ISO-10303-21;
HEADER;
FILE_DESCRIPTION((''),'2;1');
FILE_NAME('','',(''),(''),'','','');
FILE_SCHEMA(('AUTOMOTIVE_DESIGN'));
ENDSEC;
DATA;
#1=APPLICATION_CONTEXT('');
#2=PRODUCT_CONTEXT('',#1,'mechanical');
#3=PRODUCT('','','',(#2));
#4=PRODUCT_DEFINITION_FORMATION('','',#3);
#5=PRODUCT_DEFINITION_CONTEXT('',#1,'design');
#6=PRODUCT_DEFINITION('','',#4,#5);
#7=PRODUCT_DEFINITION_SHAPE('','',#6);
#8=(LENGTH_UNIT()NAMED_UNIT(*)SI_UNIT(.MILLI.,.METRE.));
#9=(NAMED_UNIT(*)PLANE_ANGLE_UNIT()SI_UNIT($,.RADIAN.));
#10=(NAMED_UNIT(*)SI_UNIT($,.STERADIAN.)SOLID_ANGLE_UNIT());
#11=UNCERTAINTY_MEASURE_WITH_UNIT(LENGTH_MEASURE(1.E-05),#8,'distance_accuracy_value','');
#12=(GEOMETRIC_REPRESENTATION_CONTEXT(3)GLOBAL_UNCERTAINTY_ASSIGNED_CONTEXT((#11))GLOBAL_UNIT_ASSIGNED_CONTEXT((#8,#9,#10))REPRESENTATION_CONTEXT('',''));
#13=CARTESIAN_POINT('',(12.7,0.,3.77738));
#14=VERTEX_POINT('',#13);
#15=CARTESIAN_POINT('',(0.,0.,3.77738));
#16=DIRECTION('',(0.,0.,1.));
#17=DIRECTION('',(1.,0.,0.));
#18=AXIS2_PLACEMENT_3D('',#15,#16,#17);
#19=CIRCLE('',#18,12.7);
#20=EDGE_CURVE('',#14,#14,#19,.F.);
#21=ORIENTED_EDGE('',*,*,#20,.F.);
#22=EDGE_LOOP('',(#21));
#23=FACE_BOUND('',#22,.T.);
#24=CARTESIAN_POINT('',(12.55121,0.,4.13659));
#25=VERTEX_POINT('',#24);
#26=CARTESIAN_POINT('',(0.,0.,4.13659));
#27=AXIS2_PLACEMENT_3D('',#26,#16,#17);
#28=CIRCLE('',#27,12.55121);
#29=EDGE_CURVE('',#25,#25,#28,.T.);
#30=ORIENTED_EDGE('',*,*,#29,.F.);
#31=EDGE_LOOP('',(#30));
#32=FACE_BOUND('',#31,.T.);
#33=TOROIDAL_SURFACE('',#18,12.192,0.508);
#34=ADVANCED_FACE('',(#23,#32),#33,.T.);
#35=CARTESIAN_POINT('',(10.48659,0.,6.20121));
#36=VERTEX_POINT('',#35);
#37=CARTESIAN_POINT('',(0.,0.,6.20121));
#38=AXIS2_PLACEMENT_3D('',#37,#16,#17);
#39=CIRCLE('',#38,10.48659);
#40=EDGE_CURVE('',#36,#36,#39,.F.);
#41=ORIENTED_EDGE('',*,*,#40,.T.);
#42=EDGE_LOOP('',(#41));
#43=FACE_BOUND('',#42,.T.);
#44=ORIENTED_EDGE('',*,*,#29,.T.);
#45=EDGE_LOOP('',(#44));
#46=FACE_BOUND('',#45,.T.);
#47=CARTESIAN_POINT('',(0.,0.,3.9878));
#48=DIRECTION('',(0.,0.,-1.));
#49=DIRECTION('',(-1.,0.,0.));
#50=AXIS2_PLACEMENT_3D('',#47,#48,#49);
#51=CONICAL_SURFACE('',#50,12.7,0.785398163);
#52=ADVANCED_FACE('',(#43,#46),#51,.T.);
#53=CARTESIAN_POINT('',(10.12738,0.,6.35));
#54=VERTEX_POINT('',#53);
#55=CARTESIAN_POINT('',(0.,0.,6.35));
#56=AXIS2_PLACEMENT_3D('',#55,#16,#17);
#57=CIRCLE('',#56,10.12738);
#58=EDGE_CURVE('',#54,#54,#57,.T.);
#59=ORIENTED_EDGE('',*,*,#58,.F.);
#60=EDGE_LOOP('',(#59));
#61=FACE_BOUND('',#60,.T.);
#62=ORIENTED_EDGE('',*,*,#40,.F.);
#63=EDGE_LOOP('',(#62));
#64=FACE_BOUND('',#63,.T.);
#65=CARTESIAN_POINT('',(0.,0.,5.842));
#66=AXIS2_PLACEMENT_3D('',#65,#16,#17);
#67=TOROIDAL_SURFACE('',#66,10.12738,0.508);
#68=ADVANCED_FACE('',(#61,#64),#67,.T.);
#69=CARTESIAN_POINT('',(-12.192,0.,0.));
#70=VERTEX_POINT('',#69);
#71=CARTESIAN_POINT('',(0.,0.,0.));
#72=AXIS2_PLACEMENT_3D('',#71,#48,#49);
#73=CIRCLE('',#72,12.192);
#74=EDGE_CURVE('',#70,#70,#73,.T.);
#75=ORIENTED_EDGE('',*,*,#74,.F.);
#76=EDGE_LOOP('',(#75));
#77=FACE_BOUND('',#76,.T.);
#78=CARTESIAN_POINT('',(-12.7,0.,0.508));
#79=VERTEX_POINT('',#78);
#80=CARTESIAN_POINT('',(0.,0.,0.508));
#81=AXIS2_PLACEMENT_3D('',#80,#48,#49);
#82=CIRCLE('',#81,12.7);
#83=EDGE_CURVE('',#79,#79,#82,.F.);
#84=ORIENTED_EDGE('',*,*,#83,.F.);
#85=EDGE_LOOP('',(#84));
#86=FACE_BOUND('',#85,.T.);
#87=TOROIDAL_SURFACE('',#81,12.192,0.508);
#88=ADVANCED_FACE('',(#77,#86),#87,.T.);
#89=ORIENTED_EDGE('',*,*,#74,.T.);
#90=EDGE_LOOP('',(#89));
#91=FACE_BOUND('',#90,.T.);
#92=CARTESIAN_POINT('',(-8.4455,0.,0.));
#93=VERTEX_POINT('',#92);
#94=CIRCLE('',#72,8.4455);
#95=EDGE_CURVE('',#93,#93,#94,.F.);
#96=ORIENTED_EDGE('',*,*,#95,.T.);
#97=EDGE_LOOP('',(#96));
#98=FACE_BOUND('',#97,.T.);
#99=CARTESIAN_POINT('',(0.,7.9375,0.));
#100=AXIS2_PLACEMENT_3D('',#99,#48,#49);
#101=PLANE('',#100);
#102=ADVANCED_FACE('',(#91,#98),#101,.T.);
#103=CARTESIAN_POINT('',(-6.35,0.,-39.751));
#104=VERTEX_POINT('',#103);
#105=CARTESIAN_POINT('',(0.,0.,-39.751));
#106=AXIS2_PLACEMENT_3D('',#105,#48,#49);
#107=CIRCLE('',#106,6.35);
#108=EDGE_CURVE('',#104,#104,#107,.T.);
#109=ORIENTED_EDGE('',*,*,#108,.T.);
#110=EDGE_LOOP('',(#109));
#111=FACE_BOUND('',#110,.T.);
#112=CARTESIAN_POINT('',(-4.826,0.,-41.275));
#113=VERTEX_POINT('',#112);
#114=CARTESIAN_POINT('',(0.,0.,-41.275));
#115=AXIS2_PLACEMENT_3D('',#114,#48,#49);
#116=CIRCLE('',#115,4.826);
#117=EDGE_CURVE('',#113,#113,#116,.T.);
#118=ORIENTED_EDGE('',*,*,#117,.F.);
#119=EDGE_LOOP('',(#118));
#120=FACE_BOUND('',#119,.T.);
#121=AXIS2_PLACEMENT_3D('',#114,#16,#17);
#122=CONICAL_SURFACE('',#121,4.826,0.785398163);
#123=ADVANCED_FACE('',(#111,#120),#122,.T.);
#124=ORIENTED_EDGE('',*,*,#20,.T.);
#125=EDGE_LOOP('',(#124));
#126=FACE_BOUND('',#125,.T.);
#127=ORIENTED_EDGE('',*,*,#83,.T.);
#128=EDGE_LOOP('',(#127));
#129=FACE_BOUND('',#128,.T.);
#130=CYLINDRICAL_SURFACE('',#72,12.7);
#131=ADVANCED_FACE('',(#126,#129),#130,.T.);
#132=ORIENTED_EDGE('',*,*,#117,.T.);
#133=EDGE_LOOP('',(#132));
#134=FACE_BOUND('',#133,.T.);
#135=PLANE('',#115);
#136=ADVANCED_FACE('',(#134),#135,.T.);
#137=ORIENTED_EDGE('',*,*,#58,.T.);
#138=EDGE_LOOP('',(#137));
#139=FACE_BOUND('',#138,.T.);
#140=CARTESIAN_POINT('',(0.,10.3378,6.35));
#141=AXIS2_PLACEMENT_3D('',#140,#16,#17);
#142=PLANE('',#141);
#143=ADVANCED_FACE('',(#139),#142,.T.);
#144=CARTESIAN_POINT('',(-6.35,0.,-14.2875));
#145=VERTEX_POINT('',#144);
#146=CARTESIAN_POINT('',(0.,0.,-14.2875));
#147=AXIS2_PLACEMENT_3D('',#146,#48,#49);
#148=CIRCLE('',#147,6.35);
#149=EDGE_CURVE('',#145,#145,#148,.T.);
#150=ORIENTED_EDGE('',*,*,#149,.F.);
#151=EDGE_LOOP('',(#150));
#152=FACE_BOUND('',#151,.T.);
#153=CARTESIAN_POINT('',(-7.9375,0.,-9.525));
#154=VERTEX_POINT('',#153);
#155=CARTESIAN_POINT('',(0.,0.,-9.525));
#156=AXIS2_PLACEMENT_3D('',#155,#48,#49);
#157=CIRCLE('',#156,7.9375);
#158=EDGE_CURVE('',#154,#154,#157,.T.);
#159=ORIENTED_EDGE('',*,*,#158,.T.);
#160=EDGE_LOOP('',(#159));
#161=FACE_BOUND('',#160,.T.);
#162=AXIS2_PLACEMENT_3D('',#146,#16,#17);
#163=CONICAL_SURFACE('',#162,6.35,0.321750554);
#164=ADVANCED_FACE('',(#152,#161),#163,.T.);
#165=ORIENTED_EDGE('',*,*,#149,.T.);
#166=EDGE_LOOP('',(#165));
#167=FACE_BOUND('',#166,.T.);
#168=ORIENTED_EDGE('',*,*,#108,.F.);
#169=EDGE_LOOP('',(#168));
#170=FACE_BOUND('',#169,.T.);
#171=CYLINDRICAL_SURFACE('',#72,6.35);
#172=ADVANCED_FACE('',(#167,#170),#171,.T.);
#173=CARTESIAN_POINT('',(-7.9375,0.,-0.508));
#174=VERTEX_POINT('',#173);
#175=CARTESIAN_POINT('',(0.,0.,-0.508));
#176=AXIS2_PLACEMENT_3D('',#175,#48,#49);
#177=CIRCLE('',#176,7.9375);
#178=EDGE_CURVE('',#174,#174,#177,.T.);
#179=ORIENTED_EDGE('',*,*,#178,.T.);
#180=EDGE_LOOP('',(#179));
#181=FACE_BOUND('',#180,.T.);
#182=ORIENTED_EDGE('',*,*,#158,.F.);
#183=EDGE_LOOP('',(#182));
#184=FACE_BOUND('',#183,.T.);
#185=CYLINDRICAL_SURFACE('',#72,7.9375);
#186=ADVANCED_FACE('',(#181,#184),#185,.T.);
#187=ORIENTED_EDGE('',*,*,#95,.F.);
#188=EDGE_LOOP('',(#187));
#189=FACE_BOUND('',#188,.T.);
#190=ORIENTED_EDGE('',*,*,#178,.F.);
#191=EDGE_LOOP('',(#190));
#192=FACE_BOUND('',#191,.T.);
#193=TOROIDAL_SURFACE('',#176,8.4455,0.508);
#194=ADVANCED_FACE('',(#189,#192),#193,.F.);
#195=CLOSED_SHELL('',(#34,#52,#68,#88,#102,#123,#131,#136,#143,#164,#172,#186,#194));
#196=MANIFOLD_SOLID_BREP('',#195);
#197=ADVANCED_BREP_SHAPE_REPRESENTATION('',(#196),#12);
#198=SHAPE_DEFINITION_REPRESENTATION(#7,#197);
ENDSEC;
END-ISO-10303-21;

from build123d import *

# Parameters (mm, degrees)
FILLET1_R = 0.508


with BuildPart() as part:
    # Sketch1 → Base-Revolve (revolve)
    with BuildSketch(Plane(origin=(0, 0, 0), x_dir=(0, 0, -1), z_dir=(1, 0, 0)), mode=Mode.PRIVATE) as base_revolve_sk:
        Polygon((-6.35, 0), (41.275, 0), (41.275, 4.826), (39.751, 6.35), (14.2875, 6.35), (9.525, 7.9375), (0, 7.9375), (0, 12.7), (-3.9878, 12.7), (-6.35, 10.3378), align=None)
    revolve(base_revolve_sk.sketch.rotate(Axis((0, 0, 0), (0, 0, 1)), 90), axis=Axis((0, 0, 0), (0, 0, 1)))

    # Fillet1
    fillet1_edges = [part.edges().sort_by_distance(p)[0] for p in [
        (7.9375, 0, 0),
        (12.7, 0, 0),
        (12.7, 0, 3.9878),
        (10.3378, 0, 6.35),
    ]]
    fillet(fillet1_edges, radius=FILLET1_R)


solid = part.part
